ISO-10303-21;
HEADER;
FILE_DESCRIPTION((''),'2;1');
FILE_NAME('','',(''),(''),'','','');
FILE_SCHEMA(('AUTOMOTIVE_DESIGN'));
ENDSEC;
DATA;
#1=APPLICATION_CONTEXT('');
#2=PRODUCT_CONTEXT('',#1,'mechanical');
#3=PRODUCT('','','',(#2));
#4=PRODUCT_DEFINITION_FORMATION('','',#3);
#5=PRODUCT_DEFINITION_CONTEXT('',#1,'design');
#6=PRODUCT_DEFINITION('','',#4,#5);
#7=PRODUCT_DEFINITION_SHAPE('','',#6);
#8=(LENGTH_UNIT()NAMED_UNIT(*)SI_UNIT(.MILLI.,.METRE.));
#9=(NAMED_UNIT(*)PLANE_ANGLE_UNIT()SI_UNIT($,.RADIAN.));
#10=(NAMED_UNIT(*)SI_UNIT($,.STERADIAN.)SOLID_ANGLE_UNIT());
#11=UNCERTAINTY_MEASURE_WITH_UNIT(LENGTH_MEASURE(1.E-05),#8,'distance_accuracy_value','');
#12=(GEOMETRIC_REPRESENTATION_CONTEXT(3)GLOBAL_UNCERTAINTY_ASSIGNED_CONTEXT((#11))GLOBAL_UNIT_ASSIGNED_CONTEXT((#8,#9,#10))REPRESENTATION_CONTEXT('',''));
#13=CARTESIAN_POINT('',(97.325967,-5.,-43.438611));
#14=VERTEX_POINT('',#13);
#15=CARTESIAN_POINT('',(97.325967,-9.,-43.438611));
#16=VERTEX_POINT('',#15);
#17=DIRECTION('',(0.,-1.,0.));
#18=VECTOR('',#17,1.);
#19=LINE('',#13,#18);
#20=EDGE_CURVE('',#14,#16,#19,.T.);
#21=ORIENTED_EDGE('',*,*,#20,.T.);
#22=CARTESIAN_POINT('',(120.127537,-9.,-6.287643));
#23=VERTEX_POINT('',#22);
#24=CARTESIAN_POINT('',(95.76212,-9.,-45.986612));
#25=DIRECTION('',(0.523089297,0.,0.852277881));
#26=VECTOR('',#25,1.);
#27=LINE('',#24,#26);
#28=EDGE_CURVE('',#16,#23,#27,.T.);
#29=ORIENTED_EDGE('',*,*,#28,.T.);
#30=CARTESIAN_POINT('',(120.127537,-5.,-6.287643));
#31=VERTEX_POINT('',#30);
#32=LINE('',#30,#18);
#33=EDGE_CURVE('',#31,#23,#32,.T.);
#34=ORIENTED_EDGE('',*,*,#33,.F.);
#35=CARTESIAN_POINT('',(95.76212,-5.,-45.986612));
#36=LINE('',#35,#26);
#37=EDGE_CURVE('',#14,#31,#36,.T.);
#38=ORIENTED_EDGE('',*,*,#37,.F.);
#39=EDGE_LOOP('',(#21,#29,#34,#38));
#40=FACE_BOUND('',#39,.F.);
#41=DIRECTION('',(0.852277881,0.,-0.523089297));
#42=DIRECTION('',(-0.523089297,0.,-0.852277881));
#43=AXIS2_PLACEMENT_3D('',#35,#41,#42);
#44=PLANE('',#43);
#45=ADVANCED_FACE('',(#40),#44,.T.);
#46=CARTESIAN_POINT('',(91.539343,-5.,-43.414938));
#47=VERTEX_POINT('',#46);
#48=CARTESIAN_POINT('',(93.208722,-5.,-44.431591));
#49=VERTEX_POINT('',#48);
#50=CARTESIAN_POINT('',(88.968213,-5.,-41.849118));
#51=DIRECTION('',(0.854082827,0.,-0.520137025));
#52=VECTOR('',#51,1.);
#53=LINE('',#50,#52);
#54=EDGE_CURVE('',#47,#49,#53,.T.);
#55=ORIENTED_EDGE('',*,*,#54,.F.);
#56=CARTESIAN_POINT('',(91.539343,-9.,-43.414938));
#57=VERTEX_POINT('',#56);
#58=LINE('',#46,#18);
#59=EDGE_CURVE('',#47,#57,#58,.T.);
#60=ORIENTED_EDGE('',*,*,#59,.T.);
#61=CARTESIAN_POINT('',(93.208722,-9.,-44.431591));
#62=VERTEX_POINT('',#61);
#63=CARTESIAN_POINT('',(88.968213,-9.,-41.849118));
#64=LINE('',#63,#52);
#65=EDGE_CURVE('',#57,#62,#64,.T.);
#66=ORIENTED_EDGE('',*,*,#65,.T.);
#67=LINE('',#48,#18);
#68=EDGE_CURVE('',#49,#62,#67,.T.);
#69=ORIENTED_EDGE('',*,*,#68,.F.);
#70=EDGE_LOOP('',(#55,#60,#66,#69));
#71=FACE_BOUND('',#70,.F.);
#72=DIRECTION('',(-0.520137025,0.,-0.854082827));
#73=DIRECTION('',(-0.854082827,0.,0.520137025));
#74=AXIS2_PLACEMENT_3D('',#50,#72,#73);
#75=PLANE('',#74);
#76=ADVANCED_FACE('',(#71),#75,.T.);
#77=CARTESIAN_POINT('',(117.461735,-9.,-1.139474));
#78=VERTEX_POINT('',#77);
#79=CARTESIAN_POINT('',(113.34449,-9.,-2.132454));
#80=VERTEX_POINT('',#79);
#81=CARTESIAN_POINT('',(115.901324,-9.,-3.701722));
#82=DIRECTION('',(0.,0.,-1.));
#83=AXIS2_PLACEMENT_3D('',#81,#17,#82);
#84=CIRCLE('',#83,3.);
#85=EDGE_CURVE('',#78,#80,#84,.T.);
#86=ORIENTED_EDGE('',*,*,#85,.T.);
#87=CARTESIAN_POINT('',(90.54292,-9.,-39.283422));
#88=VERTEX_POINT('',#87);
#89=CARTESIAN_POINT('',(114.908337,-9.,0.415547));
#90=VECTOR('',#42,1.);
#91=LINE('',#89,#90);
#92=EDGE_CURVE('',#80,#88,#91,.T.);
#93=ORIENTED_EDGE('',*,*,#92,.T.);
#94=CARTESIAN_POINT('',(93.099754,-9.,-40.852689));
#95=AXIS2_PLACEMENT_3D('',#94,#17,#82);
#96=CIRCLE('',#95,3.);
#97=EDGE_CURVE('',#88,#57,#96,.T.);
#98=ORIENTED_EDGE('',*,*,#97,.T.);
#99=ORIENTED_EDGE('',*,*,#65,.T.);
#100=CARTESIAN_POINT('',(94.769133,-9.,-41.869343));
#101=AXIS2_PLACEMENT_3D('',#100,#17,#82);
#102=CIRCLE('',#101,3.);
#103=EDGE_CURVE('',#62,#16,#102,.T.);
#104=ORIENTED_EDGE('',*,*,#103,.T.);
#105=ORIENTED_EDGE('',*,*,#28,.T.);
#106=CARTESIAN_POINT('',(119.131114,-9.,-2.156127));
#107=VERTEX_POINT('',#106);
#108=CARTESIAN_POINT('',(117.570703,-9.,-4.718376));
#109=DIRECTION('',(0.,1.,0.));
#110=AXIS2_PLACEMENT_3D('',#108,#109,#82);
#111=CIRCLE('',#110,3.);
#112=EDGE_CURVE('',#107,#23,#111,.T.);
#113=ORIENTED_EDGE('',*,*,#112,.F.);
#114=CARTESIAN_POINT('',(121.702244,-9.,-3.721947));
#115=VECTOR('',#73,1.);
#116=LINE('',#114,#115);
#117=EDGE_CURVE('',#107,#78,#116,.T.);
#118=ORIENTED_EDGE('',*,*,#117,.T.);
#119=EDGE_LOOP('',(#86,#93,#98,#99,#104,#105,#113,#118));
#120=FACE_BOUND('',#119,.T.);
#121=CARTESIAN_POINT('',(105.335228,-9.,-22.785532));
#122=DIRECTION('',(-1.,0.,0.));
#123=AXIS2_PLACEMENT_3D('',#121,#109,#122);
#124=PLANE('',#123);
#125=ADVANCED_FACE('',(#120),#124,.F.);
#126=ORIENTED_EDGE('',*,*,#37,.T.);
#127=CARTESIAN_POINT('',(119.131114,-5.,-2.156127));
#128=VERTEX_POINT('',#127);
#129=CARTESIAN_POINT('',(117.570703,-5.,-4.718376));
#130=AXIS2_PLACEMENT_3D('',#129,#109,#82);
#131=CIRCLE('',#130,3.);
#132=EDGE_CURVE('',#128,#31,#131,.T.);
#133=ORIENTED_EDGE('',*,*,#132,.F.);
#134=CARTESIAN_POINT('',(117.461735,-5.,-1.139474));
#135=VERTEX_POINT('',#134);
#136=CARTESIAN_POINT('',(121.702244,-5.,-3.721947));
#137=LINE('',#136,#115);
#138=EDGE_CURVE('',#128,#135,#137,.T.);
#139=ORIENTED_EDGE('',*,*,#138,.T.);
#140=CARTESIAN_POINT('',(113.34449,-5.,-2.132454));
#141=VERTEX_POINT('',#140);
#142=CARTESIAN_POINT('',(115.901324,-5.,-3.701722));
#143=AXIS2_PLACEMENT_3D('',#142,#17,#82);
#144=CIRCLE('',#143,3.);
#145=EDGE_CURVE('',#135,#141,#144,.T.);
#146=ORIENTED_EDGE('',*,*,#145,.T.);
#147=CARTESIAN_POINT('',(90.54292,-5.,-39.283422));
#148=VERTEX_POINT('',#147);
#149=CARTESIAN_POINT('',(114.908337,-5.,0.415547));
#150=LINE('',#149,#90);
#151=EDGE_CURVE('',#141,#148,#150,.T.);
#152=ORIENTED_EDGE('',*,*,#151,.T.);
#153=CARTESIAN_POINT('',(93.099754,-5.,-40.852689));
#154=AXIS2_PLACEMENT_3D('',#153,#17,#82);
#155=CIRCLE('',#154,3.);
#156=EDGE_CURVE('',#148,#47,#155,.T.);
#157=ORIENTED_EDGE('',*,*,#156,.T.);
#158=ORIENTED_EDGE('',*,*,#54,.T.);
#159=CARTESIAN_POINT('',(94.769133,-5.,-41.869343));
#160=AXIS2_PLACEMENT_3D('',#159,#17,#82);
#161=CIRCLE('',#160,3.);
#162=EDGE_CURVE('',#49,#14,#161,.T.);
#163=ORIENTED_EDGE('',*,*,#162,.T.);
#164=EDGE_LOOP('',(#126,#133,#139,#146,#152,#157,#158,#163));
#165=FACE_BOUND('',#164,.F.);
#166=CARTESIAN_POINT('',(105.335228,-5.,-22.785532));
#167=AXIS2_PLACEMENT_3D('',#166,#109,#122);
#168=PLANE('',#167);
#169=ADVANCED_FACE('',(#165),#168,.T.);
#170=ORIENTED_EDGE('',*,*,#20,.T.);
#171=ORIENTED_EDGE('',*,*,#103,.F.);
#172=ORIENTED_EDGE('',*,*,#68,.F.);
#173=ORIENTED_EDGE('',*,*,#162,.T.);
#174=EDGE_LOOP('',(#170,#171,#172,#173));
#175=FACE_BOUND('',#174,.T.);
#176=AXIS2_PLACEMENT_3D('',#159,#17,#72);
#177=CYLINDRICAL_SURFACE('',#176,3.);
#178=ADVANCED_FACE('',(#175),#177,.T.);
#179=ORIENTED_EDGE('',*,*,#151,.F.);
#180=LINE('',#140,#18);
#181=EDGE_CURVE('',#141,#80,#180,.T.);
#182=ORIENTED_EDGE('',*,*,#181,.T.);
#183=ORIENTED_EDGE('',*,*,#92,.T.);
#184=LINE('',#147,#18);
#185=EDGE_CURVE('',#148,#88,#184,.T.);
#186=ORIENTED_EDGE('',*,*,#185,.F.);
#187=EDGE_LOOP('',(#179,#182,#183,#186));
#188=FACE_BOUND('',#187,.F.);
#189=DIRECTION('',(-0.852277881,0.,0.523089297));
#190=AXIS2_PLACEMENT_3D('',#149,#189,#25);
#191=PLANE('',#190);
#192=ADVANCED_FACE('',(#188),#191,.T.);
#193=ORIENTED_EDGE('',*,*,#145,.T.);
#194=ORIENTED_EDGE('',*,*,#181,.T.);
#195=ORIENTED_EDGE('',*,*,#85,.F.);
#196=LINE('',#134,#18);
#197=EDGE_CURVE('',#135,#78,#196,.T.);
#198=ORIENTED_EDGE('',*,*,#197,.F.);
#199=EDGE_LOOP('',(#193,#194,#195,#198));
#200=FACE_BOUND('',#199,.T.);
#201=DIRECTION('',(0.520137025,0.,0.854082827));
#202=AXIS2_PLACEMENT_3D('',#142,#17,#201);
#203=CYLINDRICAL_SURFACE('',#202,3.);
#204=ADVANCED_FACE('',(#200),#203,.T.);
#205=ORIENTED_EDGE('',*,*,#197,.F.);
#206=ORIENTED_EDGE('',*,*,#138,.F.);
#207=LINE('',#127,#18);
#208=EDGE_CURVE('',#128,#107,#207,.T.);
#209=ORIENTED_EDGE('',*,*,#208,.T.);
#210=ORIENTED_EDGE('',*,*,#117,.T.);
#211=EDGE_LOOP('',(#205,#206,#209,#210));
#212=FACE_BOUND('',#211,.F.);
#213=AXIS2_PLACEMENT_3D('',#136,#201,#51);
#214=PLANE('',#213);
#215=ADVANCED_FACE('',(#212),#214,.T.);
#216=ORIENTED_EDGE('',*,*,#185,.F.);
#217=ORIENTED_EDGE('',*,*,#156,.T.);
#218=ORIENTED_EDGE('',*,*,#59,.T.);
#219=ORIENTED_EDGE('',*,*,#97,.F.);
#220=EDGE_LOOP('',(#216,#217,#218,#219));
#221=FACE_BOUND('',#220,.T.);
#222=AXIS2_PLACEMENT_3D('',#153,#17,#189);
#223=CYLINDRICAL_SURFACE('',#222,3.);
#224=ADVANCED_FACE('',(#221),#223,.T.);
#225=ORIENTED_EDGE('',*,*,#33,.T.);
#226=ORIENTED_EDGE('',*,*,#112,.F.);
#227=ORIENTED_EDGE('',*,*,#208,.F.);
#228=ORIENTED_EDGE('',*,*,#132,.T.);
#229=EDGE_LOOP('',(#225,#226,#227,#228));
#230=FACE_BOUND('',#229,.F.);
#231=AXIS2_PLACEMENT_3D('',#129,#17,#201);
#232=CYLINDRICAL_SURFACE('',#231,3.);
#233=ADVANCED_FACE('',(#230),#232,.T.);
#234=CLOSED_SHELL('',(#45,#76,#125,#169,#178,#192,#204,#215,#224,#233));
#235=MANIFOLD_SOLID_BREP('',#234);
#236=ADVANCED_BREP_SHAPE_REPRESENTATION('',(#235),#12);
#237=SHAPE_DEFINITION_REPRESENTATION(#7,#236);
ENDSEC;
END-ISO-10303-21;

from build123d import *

# Parameters (mm, degrees)
PAD020_DEPTH = 4
FILLET015_R  = 3


with BuildPart() as fillet015:
    # Sketch024 → Pad020 (new body)
    with BuildSketch(Plane.XZ.offset(5)):
        Polygon((-45.702244, -3.721947), (-38.908337, 0.415547), (-12.968213, -41.849118), (-19.76212, -45.986612), align=None)
    extrude(amount=PAD020_DEPTH)

    # Fillet015
    fillet015_edges = [fillet015.edges().sort_by_distance(p)[0] for p in [
        (-45.702244, -7, -3.721947),
        (-38.908337, -7, 0.415547),
        (-12.968213, -7, -41.849118),
        (-19.76212, -7, -45.986612),
    ]]
    fillet(fillet015_edges, radius=FILLET015_R)


with BuildPart() as part_mirroring011:
    # Part__Mirroring011: instance of Fillet015
    add(fillet015.part.mirror(Plane(origin=(0, 0, 0), x_dir=(0, -1, 0), z_dir=(1, 0, 0))))


with BuildPart() as part_mirroring011_1:
    # Part__Mirroring011 placement: moved
    add(part_mirroring011.part.moved(Location((76, 0, 0))))


solid = part_mirroring011_1.part
